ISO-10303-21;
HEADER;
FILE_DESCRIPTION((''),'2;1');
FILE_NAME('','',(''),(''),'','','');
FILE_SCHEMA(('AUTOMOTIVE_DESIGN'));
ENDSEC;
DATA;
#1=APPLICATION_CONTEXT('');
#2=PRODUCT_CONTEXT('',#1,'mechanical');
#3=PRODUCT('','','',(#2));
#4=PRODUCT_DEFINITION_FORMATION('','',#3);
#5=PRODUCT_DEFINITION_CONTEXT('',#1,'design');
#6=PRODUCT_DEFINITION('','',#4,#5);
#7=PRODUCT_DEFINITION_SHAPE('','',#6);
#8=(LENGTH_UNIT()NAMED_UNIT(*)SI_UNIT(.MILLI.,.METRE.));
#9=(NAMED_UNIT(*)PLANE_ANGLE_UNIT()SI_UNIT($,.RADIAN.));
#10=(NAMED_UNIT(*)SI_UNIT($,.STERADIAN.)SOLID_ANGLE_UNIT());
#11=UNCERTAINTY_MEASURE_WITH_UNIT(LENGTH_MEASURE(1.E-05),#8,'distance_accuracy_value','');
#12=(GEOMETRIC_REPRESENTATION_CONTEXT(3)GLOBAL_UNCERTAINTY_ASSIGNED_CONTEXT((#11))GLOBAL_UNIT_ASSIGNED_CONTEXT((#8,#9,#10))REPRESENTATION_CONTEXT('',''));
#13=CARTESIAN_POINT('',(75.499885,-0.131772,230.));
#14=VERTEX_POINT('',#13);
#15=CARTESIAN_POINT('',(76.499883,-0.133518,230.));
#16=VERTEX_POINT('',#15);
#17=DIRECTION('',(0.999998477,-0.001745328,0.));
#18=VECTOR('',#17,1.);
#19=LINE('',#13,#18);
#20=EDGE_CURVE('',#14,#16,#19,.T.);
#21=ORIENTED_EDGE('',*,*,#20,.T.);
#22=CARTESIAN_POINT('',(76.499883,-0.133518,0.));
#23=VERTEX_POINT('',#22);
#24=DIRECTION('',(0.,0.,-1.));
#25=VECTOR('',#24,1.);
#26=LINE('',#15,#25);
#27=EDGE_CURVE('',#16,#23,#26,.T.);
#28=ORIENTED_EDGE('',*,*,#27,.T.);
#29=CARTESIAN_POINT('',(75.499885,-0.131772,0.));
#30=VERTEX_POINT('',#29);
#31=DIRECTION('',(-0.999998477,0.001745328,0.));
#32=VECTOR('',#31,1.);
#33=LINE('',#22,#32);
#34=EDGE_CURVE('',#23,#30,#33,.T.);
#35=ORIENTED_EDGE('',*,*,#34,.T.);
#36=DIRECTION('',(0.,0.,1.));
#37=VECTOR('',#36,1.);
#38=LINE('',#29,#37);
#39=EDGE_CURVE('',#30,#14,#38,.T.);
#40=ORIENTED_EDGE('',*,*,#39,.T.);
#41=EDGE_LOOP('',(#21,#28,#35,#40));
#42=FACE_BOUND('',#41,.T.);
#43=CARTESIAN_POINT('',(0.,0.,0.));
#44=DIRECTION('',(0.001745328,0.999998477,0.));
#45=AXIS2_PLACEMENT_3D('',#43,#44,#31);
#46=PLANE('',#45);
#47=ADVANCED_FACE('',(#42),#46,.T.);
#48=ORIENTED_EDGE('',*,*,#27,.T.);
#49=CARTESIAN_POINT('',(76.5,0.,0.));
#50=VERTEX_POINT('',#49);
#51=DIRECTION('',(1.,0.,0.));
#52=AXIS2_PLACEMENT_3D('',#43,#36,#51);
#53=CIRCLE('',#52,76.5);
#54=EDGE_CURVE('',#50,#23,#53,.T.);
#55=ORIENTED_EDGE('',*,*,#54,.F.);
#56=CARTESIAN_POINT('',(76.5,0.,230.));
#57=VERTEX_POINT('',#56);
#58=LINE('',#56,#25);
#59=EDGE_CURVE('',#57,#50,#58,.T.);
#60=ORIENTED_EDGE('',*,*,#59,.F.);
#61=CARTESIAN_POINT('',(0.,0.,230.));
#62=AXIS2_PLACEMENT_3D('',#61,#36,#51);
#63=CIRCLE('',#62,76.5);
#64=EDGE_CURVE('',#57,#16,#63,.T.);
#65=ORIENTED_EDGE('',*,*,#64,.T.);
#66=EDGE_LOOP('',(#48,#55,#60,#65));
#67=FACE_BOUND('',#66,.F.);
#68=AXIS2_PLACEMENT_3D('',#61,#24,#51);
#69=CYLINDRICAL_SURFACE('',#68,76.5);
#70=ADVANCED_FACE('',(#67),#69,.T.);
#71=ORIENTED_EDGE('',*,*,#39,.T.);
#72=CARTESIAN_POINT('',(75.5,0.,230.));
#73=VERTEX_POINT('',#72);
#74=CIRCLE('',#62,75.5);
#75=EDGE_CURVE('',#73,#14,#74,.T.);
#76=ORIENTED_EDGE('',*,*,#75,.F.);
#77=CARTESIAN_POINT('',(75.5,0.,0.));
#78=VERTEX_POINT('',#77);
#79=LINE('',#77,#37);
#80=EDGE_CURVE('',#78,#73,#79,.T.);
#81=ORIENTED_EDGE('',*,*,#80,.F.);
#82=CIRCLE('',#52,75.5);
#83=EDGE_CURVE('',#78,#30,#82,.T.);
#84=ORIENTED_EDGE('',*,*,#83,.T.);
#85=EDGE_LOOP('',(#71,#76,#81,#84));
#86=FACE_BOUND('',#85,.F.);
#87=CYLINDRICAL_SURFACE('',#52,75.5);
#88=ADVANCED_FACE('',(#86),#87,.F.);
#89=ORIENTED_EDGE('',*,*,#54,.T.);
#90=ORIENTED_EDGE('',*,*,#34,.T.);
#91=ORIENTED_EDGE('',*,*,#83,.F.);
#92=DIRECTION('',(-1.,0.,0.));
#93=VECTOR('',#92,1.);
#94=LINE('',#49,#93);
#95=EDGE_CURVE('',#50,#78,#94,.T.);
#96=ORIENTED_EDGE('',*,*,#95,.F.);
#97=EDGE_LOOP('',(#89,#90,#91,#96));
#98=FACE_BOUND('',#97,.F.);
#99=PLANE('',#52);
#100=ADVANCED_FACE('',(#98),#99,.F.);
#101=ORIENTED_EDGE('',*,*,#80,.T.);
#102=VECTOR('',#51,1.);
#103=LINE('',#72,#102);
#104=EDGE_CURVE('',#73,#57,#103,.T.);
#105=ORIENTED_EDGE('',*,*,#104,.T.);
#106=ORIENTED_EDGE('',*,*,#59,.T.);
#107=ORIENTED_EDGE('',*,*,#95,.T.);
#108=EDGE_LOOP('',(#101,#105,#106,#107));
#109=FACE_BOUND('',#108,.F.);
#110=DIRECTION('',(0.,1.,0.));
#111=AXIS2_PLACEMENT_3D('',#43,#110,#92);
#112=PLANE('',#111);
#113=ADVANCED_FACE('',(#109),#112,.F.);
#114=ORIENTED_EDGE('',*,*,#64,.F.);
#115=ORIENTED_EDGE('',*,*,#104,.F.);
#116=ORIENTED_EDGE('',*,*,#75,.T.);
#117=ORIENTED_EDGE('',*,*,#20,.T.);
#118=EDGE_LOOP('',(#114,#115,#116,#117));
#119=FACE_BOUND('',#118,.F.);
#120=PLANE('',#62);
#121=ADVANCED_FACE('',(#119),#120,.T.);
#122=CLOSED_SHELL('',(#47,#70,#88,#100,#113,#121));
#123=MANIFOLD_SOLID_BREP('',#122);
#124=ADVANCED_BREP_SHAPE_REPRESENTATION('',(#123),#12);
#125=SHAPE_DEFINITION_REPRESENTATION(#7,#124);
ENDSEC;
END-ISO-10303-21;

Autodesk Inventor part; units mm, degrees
ref_plane "YZ Plane" through (0, 0, 0) normal (1, 0, 0) x (0, 1, 0)
ref_plane "XZ Plane" through (0, 0, 0) normal (0, 1, 0) x (-1, 0, 0)
ref_plane "XY Plane" through (0, 0, 0) normal (0, 0, 1) x (1, 0, 0)
sketch "Sketch2" plane through (0, 0, 0) normal (0, 1, 0) x (-1, 0, 0)
  line L0 (-75.5, 230) -> (-76.5, 230)
  line L1 (-76.5, 230) -> (-76.5, 0)
  line L2 (-76.5, 0) -> (-75.5, 0)
  line L3 (-75.5, 0) -> (-75.5, 230)
  line L4 (0, 0) -> (0, 230)
  point P0 (-76, 0)
  point P1 (-76, 230)
  dimension "d4" = 230
  dimension "d5" = 1
  dimension "d6" = 153
revolve "Revolution1" add sketch "Sketch2" angle 359.9 about axis through (0, 0, 0) along (0, 0, 1)
equation "\"BendRadius\" = Thickness"
equation "\"BendReliefWidth\" = Thickness"
equation "\"BendReliefDepth\" = 0.5 * Thickness"
equation "\"CornerReliefSize\" = 4 * Thickness"
equation "\"MinimumRemnant\" = 2 * Thickness"
equation "\"TransitionRadius\" = BendRadius"
equation "\"JacobiRadiusSize\" = BendRadius"
equation "\"GapSize\" = Thickness"
equation "\"Thickness\" = 1"
properties part number "TKS 3102 TOP DS main tube" material "Stainless Steel"
